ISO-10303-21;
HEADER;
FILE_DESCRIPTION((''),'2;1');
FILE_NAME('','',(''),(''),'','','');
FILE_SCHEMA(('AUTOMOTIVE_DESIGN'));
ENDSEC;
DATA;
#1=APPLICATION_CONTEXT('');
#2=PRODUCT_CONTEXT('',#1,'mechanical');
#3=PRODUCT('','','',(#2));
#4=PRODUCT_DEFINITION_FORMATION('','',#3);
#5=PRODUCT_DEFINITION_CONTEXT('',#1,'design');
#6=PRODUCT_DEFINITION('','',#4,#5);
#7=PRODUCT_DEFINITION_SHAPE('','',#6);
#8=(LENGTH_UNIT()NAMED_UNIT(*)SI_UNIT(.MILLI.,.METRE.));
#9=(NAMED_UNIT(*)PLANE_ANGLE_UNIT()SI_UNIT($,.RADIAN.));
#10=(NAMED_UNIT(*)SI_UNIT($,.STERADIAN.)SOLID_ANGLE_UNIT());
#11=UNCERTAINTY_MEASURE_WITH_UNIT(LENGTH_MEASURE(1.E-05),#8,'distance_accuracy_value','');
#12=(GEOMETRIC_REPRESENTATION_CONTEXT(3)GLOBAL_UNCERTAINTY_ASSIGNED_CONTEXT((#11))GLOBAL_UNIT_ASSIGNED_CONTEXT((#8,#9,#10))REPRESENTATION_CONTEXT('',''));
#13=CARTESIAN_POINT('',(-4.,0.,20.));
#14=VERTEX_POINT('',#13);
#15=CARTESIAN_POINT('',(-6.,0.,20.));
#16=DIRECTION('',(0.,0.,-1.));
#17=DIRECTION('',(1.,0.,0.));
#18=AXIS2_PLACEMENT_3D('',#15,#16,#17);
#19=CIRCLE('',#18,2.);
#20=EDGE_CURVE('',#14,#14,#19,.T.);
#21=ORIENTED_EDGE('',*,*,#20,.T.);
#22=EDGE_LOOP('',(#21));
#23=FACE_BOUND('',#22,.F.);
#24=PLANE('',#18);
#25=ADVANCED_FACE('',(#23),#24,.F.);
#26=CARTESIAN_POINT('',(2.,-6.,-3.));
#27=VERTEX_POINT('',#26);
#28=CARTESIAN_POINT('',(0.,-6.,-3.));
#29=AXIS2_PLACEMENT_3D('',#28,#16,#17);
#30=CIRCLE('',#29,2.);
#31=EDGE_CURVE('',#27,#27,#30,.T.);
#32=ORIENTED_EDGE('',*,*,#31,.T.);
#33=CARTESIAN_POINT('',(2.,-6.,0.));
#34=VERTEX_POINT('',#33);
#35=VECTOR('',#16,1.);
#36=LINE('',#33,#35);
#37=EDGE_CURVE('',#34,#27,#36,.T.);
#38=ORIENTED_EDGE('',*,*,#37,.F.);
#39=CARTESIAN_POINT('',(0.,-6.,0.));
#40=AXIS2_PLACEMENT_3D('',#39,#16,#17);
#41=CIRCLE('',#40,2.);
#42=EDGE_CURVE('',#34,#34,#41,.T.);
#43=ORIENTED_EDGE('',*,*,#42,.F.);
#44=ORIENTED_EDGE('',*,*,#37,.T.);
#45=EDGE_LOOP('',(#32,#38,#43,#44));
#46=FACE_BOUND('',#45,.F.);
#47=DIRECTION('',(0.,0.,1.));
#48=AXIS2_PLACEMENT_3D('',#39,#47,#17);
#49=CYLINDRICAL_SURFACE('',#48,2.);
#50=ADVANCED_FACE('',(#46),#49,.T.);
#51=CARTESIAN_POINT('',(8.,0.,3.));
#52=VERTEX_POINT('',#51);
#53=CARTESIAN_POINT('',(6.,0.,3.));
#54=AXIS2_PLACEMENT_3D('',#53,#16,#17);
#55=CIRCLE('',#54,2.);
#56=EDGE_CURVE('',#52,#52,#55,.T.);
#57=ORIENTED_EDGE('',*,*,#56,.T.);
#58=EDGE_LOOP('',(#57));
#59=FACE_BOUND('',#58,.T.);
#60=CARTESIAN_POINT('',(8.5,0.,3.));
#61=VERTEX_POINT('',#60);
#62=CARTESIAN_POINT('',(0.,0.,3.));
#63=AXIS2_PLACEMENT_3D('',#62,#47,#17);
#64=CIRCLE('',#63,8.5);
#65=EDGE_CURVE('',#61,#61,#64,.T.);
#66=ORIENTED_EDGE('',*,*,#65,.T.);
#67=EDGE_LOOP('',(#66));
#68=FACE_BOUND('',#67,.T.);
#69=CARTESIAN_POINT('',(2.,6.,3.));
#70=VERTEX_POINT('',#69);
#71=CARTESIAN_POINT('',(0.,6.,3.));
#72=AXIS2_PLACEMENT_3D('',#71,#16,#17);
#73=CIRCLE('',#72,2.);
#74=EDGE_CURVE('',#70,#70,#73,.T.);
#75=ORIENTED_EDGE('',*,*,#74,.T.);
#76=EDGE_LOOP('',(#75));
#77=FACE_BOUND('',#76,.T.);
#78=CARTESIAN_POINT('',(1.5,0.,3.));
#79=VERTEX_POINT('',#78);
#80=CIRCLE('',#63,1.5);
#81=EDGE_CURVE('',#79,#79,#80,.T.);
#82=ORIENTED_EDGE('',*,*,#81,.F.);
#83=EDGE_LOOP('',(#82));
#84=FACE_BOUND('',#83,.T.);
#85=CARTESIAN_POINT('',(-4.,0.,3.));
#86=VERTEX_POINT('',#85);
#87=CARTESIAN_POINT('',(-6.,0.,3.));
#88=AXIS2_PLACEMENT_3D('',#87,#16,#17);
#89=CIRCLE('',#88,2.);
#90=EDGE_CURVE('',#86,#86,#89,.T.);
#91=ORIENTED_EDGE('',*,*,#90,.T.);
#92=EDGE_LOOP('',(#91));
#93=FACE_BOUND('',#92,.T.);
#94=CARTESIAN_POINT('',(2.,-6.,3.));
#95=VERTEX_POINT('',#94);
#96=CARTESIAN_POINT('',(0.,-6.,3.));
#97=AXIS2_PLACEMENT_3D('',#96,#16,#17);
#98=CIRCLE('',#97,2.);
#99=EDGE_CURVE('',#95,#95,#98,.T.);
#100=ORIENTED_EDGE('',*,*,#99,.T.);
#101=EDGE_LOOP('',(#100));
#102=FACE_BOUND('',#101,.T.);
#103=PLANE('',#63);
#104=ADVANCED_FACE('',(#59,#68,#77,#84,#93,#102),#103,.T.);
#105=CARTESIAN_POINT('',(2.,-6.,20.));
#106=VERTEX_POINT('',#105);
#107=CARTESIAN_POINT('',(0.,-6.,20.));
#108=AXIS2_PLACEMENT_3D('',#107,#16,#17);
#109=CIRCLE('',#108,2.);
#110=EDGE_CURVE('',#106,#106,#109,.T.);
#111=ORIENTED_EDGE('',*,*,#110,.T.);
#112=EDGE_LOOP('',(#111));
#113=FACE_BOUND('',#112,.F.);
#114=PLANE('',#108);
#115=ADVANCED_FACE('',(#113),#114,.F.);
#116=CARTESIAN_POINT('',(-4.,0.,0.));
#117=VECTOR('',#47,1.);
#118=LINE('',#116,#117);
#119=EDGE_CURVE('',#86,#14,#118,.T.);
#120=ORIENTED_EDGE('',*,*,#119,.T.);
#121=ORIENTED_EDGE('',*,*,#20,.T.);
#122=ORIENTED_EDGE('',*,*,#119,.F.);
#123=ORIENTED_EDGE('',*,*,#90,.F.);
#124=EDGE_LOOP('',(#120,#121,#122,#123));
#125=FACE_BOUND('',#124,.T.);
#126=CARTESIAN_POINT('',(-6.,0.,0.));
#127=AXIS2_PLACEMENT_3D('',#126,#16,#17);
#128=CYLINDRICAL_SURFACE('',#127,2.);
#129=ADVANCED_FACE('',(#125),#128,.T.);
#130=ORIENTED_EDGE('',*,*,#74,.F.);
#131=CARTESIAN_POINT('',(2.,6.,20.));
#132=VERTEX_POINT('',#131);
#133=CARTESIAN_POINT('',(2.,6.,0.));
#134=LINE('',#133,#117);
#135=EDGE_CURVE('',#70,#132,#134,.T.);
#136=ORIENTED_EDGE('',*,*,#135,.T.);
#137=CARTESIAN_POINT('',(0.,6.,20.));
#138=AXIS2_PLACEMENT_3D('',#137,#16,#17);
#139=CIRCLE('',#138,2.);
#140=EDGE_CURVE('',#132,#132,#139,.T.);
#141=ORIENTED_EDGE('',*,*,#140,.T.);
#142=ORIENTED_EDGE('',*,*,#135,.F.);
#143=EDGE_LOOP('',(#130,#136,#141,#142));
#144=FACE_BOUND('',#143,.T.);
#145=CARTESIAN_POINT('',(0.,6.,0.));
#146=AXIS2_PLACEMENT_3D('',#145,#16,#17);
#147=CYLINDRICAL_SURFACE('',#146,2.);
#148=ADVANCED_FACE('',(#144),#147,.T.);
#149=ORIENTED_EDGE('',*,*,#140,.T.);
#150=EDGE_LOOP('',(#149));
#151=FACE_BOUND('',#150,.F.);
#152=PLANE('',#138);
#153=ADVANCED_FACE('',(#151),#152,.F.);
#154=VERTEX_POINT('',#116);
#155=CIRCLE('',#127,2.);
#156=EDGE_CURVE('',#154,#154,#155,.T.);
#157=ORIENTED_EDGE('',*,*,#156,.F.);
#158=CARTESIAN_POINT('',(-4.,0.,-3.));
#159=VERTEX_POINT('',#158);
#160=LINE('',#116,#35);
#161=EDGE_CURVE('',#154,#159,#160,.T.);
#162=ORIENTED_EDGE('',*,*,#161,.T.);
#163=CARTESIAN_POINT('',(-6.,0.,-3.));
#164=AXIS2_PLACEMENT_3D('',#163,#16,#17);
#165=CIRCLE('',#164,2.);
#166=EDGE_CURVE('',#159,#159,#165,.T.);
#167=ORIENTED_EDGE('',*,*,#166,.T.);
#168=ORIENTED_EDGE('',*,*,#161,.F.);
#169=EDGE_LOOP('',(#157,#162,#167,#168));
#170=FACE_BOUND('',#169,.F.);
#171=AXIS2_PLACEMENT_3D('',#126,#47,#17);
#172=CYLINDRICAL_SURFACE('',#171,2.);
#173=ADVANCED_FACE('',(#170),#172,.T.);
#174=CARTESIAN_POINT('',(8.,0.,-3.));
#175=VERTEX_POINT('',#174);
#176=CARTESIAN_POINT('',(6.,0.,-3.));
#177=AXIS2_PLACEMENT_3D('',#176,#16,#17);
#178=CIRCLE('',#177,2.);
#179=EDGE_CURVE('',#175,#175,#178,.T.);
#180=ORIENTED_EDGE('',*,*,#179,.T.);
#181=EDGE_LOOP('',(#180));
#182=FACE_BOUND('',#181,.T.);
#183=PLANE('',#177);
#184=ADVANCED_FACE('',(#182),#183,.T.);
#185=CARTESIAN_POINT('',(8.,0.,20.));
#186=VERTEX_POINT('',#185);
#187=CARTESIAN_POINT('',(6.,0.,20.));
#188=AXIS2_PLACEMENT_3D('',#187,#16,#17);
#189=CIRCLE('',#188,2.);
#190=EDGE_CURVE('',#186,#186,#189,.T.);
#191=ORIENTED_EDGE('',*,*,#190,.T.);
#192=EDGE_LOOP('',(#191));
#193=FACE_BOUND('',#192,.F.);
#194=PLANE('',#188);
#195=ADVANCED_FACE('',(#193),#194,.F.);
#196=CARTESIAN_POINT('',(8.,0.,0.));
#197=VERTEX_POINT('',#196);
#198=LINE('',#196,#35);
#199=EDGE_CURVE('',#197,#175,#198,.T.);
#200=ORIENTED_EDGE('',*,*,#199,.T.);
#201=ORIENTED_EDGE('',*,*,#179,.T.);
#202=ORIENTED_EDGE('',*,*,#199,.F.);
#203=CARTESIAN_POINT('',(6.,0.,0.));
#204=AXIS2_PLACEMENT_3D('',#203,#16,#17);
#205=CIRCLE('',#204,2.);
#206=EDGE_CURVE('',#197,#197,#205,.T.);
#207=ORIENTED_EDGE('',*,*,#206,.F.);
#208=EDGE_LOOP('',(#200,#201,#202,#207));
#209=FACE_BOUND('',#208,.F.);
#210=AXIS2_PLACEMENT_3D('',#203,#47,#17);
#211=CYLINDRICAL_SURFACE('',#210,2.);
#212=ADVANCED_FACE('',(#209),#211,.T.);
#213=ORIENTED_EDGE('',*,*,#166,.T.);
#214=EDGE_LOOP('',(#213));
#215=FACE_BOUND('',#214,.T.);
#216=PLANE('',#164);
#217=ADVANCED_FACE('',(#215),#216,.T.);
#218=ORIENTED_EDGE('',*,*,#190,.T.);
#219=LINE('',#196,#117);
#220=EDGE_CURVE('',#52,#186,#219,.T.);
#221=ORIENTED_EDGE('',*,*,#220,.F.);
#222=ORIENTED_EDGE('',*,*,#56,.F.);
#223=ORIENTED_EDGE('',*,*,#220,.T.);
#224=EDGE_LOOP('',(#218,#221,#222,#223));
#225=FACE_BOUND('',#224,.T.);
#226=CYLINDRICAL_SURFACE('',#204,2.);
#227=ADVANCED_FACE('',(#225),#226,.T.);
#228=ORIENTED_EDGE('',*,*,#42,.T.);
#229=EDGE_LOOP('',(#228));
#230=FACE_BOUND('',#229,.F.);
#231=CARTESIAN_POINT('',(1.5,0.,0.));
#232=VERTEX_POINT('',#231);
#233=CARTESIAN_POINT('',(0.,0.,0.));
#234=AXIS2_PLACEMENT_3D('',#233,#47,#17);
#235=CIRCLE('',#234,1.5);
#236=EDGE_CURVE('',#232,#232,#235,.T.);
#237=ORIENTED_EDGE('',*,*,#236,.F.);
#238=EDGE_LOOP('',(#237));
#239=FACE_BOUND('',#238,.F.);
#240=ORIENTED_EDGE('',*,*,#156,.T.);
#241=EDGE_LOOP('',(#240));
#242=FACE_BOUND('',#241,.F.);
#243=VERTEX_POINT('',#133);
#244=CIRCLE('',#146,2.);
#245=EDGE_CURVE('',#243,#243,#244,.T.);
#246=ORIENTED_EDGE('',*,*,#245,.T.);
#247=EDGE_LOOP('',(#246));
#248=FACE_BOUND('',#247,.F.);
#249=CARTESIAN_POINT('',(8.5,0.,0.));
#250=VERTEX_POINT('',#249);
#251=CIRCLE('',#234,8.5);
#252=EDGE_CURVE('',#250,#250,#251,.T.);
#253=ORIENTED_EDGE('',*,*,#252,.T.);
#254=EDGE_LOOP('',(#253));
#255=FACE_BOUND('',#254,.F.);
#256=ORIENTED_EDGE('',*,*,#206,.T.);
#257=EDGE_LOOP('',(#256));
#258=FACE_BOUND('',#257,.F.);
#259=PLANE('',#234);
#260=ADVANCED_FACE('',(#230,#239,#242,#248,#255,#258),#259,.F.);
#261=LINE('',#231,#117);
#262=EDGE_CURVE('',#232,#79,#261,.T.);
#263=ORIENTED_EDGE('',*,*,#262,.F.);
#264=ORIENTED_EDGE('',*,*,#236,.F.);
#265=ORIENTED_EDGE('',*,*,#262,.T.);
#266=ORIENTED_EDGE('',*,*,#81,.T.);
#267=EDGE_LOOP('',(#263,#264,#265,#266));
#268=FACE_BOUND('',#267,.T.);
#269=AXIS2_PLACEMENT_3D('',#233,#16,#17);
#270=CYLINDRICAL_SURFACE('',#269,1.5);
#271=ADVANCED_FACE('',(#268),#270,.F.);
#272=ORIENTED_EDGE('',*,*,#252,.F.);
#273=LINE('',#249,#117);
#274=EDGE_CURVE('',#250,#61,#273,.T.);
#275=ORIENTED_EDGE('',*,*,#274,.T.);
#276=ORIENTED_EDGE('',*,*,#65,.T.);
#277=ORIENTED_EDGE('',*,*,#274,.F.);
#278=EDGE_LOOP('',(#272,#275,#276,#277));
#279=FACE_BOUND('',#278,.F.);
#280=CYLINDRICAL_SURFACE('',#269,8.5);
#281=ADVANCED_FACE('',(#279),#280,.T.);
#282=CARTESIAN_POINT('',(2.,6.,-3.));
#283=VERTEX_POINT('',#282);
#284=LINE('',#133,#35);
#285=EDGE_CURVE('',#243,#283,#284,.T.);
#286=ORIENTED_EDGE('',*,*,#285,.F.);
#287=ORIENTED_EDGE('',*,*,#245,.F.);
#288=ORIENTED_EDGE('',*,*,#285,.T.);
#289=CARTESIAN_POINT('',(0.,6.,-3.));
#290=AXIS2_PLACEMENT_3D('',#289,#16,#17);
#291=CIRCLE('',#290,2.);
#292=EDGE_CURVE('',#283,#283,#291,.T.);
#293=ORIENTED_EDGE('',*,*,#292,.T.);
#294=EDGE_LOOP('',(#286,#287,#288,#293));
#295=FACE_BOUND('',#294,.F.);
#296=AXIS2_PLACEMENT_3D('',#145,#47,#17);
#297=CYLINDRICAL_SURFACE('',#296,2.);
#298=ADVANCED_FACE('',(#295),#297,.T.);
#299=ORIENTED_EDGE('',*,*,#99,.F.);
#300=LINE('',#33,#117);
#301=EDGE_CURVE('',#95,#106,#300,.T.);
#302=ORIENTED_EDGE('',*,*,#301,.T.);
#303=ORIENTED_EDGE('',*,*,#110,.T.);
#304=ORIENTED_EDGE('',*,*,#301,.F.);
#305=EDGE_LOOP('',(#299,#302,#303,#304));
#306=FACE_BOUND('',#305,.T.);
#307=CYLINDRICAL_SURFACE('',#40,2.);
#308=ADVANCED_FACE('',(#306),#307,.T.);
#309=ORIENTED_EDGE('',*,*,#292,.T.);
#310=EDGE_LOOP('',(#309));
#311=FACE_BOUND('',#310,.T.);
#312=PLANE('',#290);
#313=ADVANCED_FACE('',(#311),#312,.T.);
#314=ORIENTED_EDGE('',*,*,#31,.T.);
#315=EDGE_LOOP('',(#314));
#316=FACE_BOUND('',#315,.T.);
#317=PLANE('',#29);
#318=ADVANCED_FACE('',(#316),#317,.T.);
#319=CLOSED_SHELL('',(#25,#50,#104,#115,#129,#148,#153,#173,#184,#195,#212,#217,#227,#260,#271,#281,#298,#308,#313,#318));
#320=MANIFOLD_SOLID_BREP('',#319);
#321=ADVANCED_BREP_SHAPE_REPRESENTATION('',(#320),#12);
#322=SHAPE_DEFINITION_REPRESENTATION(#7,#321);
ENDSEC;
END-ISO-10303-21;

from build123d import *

# Parameters (mm, degrees)
SKETCH_R          = 8.5
SKETCH_R_2        = 1.5
PAD_DEPTH         = 3
SKETCH001_R       = 2
PAD001_DEPTH      = 3
PAD001_DEPTH_BACK = 20


with BuildPart() as part:
    # Sketch → Pad (new body)
    with BuildSketch(Plane.XY):
        Circle(SKETCH_R)
        Circle(SKETCH_R_2, mode=Mode.SUBTRACT)
    extrude(amount=PAD_DEPTH)

    # Sketch001 → Pad001 (new body, two sides)
    with BuildSketch(Plane(origin=(0, 0, 0), x_dir=(1, 0, 0), z_dir=(0, 0, -1))) as pad001_sk:
        with Locations((0, 6)):
            Circle(SKETCH001_R)
        with Locations((6, 0)):
            Circle(SKETCH001_R)
        with Locations((-6, 0)):
            Circle(SKETCH001_R)
        with Locations((0, -6)):
            Circle(SKETCH001_R)
    extrude(amount=PAD001_DEPTH)
    extrude(pad001_sk.sketch, amount=-PAD001_DEPTH_BACK)


solid = part.part
